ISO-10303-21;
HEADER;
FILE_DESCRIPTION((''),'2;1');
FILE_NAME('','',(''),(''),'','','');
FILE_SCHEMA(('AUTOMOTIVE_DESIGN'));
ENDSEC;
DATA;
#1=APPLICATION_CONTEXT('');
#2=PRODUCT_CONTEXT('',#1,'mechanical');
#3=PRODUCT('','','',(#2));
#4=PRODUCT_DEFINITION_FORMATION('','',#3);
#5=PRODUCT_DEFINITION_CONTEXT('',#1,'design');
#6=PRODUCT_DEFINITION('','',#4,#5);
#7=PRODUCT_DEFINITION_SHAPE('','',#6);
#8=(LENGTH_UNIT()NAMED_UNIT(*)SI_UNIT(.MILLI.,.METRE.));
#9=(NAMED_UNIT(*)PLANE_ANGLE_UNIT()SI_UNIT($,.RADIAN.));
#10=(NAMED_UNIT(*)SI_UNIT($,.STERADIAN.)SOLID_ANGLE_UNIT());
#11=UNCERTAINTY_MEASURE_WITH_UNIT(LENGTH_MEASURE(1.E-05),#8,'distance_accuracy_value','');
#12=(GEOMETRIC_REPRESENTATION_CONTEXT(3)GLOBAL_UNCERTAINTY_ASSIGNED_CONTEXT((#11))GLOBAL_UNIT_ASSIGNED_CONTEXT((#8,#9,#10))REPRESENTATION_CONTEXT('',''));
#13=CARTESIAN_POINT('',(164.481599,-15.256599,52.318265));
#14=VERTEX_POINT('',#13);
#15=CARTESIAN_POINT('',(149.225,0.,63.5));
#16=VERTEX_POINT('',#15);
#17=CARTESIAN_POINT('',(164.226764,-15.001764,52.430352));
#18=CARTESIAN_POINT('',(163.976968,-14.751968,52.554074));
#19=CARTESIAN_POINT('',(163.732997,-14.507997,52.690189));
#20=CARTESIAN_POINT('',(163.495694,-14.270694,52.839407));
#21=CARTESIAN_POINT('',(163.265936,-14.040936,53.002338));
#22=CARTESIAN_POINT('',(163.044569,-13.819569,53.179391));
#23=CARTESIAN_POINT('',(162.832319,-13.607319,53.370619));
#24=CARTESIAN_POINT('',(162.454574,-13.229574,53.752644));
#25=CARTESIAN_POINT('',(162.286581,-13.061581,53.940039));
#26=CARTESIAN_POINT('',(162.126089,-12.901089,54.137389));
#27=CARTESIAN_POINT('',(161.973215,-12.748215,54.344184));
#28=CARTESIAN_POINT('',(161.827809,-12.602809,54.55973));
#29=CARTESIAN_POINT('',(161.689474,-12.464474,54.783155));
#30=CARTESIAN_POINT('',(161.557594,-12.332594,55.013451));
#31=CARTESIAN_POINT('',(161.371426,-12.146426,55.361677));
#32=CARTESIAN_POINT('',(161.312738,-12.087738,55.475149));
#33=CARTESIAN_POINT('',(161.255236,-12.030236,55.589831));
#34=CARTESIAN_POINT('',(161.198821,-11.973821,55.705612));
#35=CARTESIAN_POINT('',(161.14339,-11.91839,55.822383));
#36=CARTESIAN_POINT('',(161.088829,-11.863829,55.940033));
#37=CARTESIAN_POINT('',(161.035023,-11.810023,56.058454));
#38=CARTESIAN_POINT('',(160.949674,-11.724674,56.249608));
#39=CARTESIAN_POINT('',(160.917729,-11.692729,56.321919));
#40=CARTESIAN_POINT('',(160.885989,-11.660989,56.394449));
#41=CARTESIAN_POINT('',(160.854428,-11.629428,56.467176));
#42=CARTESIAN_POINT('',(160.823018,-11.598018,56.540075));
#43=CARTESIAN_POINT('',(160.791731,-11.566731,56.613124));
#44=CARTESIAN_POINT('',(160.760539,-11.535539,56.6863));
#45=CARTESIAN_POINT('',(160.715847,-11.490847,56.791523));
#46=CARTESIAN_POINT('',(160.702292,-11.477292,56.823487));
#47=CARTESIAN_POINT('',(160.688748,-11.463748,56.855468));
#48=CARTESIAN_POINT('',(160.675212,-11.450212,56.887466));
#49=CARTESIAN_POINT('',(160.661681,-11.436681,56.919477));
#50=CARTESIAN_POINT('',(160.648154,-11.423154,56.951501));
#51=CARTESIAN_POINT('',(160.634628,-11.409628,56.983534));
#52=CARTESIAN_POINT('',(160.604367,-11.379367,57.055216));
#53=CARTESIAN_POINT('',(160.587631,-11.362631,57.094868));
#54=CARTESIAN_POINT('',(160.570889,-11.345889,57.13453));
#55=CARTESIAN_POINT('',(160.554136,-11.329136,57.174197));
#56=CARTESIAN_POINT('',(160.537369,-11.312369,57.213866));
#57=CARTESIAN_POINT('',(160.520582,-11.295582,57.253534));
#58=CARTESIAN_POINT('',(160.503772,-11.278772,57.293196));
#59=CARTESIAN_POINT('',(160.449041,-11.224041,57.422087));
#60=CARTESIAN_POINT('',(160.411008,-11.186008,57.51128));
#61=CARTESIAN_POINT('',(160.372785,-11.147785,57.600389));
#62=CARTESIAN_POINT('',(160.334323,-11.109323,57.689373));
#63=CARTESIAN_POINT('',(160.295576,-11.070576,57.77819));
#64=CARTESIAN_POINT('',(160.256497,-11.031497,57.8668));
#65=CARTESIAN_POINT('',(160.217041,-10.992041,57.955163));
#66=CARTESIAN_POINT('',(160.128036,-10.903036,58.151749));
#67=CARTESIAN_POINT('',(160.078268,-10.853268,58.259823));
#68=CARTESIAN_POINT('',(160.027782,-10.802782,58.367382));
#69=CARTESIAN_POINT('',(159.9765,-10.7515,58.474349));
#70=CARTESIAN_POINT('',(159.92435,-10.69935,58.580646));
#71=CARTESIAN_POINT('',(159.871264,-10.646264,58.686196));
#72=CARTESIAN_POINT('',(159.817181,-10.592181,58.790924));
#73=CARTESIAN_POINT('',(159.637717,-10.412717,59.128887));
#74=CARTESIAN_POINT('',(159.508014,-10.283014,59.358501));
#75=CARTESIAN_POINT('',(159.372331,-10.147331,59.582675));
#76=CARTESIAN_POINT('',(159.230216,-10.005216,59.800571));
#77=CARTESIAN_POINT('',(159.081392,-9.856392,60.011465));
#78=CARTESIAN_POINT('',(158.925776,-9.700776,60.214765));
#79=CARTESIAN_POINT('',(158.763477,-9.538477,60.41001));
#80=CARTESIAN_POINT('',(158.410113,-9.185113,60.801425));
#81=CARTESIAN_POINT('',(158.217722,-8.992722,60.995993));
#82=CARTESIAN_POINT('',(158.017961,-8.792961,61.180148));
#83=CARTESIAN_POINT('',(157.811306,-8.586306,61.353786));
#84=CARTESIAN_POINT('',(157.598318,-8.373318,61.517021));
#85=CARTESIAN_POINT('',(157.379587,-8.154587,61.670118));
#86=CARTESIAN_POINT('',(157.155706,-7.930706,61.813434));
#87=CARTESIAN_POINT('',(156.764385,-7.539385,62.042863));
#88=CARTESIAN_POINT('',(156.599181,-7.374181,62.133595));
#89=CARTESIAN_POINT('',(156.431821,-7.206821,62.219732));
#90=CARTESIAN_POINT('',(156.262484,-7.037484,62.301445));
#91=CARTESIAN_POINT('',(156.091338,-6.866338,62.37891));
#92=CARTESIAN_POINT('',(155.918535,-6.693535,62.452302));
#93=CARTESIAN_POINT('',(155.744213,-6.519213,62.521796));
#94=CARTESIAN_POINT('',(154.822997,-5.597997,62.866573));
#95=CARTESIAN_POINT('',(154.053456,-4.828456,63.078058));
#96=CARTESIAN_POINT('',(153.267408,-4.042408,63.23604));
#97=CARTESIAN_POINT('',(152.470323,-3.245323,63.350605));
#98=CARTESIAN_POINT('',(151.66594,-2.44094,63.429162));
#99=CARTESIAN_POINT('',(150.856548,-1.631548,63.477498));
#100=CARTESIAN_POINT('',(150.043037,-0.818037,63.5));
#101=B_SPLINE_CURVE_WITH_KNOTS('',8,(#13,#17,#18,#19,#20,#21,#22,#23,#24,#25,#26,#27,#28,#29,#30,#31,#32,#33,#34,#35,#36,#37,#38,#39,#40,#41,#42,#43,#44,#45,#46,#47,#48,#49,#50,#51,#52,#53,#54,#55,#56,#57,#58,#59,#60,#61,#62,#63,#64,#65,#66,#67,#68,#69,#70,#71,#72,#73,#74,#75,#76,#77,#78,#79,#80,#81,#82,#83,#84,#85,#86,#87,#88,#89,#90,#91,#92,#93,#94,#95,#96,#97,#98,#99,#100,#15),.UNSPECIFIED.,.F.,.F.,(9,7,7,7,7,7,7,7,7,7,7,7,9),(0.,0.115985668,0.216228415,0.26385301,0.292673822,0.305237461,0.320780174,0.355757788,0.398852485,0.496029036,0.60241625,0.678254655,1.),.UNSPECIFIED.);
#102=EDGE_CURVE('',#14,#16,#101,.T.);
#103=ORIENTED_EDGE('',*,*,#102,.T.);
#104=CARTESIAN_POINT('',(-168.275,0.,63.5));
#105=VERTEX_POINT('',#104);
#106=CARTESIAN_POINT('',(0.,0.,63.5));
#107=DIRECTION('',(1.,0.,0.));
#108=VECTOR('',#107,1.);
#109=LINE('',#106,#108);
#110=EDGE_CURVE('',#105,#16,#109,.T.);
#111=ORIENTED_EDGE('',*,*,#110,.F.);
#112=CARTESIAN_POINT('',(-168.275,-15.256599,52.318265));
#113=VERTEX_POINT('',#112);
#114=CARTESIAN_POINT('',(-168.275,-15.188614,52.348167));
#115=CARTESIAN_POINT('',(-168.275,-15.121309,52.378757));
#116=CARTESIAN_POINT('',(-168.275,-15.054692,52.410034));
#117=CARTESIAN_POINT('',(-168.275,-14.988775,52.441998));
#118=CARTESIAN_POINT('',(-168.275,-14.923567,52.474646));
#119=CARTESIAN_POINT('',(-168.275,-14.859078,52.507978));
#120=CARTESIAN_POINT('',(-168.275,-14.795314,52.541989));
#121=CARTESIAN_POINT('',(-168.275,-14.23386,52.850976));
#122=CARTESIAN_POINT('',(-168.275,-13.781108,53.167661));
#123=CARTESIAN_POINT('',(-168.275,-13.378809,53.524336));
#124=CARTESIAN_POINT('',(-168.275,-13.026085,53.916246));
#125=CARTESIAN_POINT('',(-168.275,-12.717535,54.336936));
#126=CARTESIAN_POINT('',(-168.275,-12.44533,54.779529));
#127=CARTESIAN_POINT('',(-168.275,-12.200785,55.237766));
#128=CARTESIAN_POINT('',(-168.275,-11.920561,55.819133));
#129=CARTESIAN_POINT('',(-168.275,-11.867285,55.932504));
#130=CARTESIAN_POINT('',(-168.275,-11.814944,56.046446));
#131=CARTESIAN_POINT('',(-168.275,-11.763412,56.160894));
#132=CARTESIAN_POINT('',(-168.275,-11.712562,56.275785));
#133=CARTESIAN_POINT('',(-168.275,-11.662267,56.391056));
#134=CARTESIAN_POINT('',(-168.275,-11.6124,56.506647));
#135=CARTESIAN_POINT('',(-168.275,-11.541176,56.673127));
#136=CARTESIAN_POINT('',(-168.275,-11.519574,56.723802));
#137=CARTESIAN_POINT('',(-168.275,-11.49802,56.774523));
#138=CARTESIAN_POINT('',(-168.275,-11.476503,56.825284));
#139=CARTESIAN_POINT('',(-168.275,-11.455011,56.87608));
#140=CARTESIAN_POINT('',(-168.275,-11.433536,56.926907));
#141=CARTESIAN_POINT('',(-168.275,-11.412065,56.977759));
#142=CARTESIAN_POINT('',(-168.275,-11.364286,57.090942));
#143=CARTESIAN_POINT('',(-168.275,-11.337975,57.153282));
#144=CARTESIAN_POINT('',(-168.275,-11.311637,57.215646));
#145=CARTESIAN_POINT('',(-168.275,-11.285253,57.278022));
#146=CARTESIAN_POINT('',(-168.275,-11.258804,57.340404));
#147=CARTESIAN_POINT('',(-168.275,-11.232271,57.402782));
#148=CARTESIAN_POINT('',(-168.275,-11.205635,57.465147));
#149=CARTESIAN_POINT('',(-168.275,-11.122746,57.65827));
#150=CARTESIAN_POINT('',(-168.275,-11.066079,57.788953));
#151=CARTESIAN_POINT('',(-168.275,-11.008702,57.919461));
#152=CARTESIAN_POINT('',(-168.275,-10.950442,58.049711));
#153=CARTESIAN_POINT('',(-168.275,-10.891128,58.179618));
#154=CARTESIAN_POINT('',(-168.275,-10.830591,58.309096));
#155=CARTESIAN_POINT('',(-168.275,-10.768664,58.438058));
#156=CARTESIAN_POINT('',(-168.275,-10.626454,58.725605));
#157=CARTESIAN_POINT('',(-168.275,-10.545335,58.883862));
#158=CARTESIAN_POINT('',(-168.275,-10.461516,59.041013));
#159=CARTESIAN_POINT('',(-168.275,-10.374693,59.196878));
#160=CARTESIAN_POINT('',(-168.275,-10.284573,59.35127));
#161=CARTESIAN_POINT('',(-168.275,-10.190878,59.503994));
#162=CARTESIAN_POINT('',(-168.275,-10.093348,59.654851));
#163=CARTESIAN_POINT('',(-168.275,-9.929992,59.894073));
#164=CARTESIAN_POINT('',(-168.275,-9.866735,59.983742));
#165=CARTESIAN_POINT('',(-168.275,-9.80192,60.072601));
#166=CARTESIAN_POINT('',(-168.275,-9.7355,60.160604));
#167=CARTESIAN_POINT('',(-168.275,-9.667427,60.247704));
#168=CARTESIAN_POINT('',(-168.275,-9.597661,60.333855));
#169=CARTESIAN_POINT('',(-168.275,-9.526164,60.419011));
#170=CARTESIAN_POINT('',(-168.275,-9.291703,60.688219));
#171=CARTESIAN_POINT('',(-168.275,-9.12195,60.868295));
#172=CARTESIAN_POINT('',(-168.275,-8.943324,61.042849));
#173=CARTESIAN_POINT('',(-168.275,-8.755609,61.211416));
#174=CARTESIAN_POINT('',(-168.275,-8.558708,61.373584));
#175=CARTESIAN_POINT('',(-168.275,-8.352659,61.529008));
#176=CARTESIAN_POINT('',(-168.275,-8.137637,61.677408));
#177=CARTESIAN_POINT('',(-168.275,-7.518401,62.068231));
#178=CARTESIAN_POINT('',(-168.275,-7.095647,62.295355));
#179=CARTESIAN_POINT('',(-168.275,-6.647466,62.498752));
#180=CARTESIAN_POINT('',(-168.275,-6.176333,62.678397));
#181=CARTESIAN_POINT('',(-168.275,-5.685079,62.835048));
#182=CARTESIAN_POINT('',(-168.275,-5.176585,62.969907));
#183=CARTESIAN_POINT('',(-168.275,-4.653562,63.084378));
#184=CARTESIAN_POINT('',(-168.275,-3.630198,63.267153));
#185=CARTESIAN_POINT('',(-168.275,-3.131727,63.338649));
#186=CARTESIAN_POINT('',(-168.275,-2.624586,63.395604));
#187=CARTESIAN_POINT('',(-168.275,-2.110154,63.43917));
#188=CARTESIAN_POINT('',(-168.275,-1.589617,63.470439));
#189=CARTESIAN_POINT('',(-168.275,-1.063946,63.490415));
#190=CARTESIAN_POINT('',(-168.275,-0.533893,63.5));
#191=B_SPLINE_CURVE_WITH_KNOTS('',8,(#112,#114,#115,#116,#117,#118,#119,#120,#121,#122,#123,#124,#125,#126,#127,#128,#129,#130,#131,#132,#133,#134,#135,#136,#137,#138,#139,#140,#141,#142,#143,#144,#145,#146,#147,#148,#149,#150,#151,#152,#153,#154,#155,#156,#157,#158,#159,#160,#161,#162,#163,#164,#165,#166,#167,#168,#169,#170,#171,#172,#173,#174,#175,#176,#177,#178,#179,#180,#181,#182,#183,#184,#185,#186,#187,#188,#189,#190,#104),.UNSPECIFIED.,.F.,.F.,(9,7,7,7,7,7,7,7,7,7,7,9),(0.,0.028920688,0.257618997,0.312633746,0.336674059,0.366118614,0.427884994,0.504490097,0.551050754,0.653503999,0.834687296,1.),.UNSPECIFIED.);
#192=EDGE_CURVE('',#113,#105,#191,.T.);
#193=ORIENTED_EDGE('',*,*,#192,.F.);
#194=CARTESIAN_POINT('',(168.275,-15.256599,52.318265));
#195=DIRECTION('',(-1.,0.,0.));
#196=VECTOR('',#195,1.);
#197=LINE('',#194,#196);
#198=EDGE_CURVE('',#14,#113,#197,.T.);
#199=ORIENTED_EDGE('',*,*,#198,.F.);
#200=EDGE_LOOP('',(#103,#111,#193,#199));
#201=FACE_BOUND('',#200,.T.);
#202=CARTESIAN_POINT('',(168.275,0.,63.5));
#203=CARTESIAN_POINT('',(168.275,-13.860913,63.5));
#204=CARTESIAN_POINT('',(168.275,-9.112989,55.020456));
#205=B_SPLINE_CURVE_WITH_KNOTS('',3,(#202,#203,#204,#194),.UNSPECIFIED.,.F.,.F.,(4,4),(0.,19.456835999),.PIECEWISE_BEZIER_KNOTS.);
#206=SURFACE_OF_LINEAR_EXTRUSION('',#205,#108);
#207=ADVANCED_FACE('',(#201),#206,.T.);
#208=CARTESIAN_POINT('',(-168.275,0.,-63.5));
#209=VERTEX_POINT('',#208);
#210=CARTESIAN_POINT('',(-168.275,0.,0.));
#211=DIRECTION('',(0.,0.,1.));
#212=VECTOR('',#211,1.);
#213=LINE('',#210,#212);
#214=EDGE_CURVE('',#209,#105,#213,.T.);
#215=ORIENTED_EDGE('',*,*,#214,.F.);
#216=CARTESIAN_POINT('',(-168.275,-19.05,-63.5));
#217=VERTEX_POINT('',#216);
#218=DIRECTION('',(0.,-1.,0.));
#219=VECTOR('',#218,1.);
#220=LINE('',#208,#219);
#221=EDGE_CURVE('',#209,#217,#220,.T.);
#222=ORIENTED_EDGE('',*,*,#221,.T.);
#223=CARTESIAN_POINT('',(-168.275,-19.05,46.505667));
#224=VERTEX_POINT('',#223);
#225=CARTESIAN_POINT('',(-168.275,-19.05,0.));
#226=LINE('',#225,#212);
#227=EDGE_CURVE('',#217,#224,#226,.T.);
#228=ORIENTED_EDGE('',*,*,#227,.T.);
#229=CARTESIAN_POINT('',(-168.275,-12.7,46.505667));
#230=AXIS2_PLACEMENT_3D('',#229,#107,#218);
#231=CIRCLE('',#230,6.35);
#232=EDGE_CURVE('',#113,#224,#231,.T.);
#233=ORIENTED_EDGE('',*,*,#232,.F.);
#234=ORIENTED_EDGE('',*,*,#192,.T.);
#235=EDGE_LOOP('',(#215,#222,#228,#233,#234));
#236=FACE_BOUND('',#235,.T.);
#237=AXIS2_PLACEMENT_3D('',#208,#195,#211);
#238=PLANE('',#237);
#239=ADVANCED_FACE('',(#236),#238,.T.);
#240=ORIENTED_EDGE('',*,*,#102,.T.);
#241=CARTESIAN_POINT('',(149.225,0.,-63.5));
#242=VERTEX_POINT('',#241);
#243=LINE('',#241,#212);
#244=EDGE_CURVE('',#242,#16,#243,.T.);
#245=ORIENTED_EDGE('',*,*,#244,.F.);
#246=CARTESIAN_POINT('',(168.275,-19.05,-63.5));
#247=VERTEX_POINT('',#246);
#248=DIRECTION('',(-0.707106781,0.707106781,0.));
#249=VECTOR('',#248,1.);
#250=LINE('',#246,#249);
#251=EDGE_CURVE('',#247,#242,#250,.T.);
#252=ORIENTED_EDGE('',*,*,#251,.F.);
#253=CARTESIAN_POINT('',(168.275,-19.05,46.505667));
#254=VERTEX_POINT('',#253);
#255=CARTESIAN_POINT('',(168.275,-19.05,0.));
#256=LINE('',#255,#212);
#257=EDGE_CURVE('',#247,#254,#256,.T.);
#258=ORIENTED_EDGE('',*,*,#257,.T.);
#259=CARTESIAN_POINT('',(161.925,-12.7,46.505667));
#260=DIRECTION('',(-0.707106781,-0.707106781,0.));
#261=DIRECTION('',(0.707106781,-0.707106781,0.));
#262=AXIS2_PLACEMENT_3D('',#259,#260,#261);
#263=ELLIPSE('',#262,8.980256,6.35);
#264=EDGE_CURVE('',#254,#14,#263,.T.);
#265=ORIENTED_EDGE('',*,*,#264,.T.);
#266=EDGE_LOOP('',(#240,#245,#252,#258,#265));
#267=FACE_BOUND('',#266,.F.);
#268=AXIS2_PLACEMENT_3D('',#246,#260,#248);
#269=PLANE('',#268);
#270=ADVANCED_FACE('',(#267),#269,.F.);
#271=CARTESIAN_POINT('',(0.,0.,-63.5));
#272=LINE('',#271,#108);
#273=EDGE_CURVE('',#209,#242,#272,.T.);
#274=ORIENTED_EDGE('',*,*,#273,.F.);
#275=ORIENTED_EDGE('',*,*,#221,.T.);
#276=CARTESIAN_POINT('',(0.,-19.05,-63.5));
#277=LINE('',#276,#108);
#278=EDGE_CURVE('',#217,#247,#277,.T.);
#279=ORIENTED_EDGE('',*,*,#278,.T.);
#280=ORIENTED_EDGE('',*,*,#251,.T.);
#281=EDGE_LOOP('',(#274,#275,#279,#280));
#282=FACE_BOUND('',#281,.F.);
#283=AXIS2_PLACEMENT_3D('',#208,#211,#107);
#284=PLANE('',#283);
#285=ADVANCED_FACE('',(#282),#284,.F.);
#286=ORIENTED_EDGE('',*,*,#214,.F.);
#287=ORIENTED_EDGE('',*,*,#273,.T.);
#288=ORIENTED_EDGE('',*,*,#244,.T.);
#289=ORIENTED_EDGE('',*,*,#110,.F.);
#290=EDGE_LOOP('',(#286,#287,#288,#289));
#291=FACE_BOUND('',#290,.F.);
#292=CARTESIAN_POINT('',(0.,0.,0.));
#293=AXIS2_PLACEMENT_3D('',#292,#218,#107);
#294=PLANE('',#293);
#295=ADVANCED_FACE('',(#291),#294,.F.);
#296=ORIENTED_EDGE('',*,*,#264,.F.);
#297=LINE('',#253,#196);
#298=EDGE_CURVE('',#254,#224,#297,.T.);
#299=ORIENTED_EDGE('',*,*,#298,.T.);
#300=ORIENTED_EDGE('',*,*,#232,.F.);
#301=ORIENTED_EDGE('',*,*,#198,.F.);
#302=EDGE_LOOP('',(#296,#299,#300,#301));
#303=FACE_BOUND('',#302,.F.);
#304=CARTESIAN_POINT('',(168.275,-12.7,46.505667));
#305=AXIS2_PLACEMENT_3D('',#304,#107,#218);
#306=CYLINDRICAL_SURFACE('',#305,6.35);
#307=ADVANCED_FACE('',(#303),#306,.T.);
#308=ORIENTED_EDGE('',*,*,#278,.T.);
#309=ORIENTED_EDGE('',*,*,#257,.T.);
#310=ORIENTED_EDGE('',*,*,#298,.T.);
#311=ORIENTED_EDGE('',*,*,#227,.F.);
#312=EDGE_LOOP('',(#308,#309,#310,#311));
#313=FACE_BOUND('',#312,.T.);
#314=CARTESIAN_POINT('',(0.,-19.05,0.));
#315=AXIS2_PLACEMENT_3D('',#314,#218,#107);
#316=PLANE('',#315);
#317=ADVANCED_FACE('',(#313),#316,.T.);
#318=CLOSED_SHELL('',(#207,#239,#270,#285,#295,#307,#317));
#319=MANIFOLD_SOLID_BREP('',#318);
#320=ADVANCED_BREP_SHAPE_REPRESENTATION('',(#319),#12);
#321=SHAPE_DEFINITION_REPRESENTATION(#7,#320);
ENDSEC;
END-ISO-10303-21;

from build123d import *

# Parameters (mm, degrees)
F0_W     = 336.55
F0_H     = 127
F1_DEPTH = 19.05
F3_DEPTH = 336.551
F5_DEPTH = 127.0010001


with BuildPart() as f1:
    # F0 (on Front) → F1 (new body)
    with BuildSketch(Plane.XZ):
        Rectangle(F0_W, F0_H)
    extrude(amount=F1_DEPTH)

    # F2 (on face) → F3 (cut, through all)
    with BuildSketch(Plane.YZ.offset(168.275)):
        with BuildLine():
            add(Edge.make_bspline(
                [(0, 63.5), (-13.8609133718, 63.5), (-9.1129885479, 55.0204556119), (-15.256598862, 52.3182653746)],
                knots=[0, 0, 0, 0, 19.4568359991, 19.4568359991, 19.4568359991, 19.4568359991], degree=3))
            Line((0, 63.5), (-19.05, 63.5))
            Line((-19.05, 63.5), (-19.05, 51.528967917))
            add(Edge.make_bspline(
                [(-15.256598862, 52.3182653746), (-16.2172018341, 51.8957561593), (-17.4440793365, 51.6144907855), (-19.05, 51.528967917)],
                knots=[19.4568359991, 19.4568359991, 19.4568359991, 19.4568359991, 22.4990690726, 22.4990690726, 22.4990690726, 22.4990690726], degree=3))
        make_face()
        with BuildLine():
            ThreePointArc((-19.05, 46.505666794), (-18.0177487141, 49.976120455), (-15.256598862, 52.3182653746))
            add(Edge.make_bspline(
                [(-15.256598862, 52.3182653746), (-16.2172018341, 51.8957561593), (-17.4440793365, 51.6144907855), (-19.05, 51.528967917)],
                knots=[19.4568359991, 19.4568359991, 19.4568359991, 19.4568359991, 22.4990690726, 22.4990690726, 22.4990690726, 22.4990690726], degree=3))
            Line((-19.05, 51.528967917), (-19.05, 46.505666794))
        make_face()
    extrude(amount=-F3_DEPTH, mode=Mode.SUBTRACT)

    # F4 (on face) → F5 (cut, through all)
    with BuildSketch(Plane(origin=(0, 0, -63.5), x_dir=(1, 0, 0), z_dir=(0, 0, -1))):
        Polygon((168.275, 19.05), (149.225, 0), (168.275, 0), align=None)
    extrude(amount=-F5_DEPTH, mode=Mode.SUBTRACT)


solid = f1.part
